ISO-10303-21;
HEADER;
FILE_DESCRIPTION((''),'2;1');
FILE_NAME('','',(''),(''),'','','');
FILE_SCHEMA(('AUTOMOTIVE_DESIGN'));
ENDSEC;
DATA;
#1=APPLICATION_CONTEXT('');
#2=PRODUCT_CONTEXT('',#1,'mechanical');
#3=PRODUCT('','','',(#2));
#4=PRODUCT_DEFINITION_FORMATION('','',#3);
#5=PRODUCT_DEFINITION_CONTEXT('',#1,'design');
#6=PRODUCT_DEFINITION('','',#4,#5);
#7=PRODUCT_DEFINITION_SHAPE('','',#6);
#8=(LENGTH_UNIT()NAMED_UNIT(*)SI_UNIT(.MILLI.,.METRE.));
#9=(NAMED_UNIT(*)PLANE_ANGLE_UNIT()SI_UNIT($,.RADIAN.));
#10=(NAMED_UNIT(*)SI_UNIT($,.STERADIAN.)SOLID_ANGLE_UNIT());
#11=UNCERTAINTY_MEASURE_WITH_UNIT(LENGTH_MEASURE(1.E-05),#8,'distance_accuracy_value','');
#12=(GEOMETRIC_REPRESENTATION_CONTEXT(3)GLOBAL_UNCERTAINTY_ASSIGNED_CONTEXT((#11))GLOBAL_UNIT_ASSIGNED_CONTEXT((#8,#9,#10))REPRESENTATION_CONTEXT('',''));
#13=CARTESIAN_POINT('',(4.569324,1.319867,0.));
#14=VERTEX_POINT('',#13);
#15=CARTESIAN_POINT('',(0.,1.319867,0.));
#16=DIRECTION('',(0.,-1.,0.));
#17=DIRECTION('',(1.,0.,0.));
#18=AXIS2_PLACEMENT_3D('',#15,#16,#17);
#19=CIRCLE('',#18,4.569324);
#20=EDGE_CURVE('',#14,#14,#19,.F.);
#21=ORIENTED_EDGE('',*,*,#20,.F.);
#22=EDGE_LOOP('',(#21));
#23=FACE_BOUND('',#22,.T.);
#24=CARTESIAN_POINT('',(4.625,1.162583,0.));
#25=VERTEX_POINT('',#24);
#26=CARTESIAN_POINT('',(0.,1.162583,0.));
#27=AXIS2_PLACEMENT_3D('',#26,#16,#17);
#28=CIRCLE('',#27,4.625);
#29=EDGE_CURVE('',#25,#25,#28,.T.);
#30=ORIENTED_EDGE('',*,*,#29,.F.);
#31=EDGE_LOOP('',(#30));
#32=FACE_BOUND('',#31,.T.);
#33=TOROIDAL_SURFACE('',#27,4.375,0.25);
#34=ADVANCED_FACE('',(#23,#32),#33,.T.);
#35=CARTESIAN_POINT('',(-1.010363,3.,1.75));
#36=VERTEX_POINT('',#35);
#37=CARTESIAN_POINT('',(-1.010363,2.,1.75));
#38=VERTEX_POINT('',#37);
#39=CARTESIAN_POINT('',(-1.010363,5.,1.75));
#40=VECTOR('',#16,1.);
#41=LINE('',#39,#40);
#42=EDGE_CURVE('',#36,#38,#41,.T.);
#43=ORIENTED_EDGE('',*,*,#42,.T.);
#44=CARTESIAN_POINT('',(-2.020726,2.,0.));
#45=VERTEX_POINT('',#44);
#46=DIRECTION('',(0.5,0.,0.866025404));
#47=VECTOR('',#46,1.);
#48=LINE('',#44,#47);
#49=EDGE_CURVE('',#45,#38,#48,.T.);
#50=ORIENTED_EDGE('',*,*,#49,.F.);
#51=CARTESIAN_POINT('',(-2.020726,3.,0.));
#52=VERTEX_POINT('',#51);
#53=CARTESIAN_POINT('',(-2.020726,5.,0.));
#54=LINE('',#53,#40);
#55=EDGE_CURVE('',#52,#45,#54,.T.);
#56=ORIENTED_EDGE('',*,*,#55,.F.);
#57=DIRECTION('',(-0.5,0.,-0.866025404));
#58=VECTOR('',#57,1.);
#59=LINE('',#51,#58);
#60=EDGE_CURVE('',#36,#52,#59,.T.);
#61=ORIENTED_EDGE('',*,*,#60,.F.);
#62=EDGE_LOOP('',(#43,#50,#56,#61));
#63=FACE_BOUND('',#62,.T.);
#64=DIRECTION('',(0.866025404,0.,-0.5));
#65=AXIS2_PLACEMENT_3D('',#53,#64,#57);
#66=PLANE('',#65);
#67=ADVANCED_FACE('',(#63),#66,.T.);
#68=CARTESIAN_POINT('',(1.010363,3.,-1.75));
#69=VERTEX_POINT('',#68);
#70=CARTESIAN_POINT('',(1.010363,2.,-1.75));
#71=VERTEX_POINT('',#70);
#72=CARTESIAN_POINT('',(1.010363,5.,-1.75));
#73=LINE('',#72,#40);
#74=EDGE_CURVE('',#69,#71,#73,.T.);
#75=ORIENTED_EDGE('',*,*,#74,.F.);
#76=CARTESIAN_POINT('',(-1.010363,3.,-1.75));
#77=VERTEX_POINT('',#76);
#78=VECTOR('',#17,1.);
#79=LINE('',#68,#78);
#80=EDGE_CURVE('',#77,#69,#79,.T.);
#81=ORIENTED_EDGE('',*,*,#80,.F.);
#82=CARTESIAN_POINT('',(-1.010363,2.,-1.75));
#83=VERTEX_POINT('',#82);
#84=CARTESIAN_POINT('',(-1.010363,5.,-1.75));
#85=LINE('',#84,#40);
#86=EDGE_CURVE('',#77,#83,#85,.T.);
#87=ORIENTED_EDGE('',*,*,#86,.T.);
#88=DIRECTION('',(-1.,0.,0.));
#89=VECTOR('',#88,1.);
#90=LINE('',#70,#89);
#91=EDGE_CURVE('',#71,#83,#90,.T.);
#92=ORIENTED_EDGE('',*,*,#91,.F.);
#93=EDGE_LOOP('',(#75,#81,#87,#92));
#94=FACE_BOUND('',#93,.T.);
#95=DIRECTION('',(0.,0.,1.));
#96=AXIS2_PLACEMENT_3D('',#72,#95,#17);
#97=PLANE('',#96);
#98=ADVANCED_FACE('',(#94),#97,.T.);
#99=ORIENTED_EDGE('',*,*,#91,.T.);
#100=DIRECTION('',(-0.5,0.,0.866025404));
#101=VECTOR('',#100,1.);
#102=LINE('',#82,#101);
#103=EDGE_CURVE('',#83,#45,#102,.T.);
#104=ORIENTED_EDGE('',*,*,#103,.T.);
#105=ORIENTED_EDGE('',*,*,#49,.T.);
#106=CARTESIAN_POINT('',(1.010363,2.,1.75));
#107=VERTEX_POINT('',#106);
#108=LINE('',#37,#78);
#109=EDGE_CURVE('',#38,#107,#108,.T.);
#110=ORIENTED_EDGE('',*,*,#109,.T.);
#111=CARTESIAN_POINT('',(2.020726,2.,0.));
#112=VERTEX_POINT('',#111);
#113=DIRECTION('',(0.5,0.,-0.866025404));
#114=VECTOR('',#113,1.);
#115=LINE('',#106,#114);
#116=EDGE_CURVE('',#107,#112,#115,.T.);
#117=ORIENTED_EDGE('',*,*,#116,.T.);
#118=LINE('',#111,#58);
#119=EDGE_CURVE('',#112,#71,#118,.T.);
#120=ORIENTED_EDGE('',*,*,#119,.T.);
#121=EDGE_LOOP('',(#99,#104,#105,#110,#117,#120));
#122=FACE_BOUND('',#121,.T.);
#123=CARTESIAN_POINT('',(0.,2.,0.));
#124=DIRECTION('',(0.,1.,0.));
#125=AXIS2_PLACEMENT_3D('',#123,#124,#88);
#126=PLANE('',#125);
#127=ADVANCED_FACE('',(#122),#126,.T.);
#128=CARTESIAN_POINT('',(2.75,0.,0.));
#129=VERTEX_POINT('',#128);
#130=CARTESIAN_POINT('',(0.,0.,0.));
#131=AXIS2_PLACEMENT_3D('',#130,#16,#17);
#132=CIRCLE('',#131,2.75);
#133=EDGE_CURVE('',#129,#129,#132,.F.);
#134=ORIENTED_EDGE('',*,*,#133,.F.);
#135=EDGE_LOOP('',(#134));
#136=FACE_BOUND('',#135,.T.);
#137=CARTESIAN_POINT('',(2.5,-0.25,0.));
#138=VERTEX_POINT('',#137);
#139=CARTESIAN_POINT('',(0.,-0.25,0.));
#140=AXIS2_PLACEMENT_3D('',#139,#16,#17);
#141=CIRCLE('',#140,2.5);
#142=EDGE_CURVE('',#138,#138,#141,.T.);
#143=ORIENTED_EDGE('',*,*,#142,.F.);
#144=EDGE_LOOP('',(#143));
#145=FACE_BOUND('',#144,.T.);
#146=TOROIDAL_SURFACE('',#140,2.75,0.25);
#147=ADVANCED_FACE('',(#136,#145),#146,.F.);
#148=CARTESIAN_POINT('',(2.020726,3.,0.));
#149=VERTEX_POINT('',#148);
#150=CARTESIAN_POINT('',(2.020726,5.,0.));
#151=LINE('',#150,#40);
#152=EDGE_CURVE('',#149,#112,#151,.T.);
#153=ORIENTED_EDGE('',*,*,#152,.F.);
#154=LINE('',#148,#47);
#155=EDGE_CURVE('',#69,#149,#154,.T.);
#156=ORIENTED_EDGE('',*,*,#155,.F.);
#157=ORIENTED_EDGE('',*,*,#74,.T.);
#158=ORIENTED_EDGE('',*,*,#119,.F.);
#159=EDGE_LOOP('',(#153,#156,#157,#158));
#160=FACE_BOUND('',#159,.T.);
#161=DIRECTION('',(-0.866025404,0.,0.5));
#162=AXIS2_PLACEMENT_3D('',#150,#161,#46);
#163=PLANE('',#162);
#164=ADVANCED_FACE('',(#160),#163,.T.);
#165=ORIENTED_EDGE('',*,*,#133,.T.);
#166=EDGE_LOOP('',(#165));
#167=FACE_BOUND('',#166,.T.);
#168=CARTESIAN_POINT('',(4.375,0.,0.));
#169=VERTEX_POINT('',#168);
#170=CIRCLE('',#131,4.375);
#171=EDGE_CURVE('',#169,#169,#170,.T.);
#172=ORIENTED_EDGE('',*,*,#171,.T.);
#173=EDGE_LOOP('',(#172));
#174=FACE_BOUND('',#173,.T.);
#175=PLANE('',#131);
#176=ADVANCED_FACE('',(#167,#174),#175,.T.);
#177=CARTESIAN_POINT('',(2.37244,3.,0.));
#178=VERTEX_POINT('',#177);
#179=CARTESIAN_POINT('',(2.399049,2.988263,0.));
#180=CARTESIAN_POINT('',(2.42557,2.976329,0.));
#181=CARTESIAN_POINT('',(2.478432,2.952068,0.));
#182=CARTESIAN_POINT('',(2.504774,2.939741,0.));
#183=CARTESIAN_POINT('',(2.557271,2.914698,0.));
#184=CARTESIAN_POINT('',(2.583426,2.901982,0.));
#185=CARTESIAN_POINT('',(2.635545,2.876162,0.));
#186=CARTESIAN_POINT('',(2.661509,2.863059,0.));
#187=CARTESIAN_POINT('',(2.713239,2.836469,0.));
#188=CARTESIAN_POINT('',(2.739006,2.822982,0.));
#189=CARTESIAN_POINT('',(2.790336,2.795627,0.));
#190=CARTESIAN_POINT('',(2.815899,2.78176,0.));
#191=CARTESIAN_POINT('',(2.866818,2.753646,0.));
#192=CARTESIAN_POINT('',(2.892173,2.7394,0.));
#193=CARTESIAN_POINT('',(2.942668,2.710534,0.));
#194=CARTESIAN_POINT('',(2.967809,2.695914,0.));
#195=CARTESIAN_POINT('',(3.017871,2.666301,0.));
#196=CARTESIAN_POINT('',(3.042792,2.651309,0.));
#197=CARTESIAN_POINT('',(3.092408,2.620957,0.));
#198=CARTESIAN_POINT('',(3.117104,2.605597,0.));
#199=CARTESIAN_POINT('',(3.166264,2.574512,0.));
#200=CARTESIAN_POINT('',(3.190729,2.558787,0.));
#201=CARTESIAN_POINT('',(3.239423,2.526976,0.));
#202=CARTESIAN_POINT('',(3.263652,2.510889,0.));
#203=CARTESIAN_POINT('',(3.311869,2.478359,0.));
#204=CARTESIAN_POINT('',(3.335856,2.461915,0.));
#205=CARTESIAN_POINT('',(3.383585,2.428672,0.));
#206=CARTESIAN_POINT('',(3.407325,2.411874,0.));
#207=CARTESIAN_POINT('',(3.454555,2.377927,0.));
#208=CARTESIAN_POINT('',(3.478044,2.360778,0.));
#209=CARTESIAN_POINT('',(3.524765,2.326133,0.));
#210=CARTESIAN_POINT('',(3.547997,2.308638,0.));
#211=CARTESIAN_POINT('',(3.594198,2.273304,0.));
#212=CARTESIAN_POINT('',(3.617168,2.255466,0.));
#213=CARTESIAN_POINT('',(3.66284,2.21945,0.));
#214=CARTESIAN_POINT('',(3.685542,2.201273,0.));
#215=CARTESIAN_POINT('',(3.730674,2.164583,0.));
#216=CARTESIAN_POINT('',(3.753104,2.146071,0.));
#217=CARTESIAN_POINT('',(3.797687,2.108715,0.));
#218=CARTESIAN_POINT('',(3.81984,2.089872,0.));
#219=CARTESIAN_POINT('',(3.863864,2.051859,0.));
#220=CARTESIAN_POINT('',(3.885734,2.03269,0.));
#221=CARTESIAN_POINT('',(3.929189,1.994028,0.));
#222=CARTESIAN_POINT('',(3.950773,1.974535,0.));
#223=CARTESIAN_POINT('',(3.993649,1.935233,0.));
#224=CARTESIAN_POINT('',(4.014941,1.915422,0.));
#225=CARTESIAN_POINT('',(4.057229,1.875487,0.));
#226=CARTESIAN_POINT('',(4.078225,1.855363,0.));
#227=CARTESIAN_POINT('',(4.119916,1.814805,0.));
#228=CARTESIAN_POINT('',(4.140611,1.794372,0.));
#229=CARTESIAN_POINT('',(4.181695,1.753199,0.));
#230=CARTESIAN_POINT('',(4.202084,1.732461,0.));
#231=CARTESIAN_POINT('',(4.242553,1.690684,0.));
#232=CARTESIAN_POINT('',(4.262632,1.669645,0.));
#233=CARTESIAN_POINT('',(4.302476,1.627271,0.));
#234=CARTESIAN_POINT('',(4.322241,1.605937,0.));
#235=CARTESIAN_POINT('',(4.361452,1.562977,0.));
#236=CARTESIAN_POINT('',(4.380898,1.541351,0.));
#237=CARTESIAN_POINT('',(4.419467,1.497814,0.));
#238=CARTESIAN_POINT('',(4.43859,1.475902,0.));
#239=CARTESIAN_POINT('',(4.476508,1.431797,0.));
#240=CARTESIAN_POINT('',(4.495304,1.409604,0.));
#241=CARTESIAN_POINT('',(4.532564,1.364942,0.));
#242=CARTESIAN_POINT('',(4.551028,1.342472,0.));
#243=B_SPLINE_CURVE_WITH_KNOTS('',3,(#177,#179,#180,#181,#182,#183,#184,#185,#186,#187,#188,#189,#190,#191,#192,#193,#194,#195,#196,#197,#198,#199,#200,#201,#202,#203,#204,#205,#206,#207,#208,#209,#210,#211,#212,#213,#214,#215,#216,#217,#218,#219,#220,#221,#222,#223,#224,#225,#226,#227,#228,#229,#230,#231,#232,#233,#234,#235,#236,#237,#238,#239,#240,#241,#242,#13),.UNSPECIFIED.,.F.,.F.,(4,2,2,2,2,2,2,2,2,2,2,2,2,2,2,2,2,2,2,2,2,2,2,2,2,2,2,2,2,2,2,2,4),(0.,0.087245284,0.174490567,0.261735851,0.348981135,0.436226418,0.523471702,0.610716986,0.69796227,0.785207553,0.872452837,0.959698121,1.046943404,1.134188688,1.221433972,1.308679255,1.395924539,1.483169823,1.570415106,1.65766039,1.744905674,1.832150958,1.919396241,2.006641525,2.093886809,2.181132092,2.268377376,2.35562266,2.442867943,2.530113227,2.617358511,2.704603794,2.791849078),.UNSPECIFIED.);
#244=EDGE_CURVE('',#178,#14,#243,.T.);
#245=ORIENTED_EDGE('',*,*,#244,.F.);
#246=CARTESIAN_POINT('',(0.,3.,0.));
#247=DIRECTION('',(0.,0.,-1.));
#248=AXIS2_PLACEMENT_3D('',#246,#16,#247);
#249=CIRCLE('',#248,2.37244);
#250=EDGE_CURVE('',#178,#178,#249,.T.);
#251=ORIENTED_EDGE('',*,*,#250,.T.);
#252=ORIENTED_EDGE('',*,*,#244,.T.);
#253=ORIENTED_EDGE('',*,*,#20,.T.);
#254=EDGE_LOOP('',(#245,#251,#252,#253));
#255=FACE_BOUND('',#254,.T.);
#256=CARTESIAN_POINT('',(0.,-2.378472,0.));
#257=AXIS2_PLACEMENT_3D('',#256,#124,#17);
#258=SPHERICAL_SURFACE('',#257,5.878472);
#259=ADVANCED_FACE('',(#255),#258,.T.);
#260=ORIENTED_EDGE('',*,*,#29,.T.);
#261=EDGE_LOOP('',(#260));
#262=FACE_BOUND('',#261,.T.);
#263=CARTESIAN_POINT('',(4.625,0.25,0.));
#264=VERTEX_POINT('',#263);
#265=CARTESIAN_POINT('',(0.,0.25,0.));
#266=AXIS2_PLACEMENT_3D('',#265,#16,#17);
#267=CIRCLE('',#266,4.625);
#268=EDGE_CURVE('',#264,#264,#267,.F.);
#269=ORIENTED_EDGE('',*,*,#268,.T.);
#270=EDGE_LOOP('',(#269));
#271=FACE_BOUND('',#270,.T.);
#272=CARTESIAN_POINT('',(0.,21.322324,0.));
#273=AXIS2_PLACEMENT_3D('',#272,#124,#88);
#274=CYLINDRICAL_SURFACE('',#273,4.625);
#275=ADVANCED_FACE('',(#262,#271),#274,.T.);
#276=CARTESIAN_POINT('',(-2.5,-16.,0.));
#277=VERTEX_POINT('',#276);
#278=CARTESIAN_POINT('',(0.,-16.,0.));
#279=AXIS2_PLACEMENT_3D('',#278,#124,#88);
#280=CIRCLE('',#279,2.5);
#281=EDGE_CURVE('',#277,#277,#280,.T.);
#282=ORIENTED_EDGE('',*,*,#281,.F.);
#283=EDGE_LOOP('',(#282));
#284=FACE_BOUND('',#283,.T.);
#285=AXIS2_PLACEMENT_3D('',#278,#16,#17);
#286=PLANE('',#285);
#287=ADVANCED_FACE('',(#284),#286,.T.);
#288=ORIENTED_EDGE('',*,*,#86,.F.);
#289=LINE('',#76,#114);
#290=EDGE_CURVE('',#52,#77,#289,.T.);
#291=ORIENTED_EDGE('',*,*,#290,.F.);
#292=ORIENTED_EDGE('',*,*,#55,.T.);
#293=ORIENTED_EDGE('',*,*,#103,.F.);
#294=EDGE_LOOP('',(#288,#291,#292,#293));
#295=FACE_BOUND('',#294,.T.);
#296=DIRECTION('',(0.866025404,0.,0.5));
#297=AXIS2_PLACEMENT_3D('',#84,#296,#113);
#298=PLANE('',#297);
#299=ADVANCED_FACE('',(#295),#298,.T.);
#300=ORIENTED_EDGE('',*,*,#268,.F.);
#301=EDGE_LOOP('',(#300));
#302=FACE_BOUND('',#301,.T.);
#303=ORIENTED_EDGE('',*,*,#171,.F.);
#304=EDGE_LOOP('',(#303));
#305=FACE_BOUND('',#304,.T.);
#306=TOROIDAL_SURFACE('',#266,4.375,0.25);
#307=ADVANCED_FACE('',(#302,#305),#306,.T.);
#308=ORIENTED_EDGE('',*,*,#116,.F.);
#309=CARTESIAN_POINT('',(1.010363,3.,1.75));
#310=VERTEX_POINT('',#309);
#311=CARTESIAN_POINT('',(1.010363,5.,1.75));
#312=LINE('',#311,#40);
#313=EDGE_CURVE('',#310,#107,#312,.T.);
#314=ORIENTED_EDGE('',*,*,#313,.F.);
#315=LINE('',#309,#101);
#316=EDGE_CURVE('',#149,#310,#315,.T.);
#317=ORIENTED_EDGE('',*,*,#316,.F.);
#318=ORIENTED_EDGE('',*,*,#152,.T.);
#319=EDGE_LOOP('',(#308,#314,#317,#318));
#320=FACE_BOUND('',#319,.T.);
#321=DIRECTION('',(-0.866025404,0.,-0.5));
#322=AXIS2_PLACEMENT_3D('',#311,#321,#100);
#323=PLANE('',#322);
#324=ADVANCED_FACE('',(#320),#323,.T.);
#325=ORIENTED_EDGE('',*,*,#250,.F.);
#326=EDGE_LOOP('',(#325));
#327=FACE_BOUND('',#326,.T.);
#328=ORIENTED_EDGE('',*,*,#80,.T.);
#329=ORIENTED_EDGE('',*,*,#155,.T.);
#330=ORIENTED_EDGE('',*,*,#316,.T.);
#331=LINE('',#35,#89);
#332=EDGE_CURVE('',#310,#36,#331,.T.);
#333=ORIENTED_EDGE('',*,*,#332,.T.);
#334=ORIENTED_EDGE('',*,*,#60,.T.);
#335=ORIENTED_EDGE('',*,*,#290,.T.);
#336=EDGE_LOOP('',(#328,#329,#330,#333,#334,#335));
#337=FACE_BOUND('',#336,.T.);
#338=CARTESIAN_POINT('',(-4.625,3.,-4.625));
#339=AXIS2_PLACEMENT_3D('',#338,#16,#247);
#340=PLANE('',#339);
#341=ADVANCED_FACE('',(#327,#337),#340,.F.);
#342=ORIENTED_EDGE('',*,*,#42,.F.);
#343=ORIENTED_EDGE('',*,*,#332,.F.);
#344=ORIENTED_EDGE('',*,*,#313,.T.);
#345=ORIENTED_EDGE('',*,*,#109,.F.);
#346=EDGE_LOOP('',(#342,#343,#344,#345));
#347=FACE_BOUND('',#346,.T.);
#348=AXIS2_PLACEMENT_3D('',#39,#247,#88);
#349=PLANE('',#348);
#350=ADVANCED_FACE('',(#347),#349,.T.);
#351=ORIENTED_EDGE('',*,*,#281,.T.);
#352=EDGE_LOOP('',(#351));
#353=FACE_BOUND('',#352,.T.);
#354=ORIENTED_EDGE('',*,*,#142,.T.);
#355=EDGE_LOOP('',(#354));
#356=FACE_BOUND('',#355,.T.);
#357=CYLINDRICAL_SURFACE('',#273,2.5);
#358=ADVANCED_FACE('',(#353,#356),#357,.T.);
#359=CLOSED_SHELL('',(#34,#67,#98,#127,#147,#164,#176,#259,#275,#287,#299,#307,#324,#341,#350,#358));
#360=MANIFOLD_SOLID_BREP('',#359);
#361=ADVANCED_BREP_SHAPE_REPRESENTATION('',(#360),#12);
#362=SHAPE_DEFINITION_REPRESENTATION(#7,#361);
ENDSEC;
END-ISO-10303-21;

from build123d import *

# Parameters (mm, degrees)
CUT_EXTRUDE1_START      = 2
CUT_EXTRUDE1_DEPTH      = 3
FILLET1_R               = 0.25
CUT_EXTRUDE2_DEPTH      = 18.285290042
CUT_EXTRUDE2_DEPTH_BACK = 18.285290042
SKETCH4_W               = 9.25
SKETCH4_H               = 2


with BuildPart() as part:
    # Sketch2 → Revolve1 (revolve)
    with BuildSketch(Plane.XY, mode=Mode.PRIVATE) as revolve1_sk:
        with BuildLine():
            Line((2.5, -16), (2.5, -7.698851501))
            ThreePointArc((2.5, -7.698851501), (1.280768103, -8.115724939), (0, -8.256944444))
            Line((0, -8.256944444), (0, -16))
            Line((0, -16), (2.5, -16))
        make_face()
        with BuildLine():
            Line((2.5, 0), (4.625, 0))
            Line((4.625, 0), (4.625, 1.25))
            ThreePointArc((4.625, 1.25), (2.571630076, 2.907656268), (0, 3.5))
            Line((0, 3.5), (0, -8.256944444))
            ThreePointArc((0, -8.256944444), (1.280768103, -8.115724939), (2.5, -7.698851501))
            Line((2.5, -7.698851501), (2.5, 0))
        make_face()
    revolve(revolve1_sk.sketch.rotate(Axis((0, 21.322324325, 0), (0, -1, 0)), 180), axis=Axis((0, 21.322324325, 0), (0, -1, 0)))

    # Sketch3 → Cut-Extrude1 (cut)
    with BuildSketch(Plane(origin=(0, 0, 0), x_dir=(1, 0, 0), z_dir=(0, 1, 0)).offset(CUT_EXTRUDE1_START)):
        Polygon((2.020725942, 0), (1.010362971, 1.75), (-1.010362971, 1.75), (-2.020725942, 0), (-1.010362971, -1.75), (1.010362971, -1.75), align=None)
    extrude(amount=CUT_EXTRUDE1_DEPTH, mode=Mode.SUBTRACT)

    # Fillet1
    fillet1_edges = [part.edges().sort_by_distance(p)[0] for p in [
        (4.625, 1.25, 0),
        (4.625, 0, 0),
        (2.5, 0, 0),
    ]]
    fillet(fillet1_edges, radius=FILLET1_R)

    # Sketch4 → Cut-Extrude2 (cut, two sides: drawn at the far end of the back side and taken through both)
    with BuildSketch(Plane.XY.offset(-CUT_EXTRUDE2_DEPTH_BACK)):
        with Locations((0, 4)):
            Rectangle(SKETCH4_W, SKETCH4_H)
    extrude(amount=CUT_EXTRUDE2_DEPTH + CUT_EXTRUDE2_DEPTH_BACK, mode=Mode.SUBTRACT)


solid = part.part
